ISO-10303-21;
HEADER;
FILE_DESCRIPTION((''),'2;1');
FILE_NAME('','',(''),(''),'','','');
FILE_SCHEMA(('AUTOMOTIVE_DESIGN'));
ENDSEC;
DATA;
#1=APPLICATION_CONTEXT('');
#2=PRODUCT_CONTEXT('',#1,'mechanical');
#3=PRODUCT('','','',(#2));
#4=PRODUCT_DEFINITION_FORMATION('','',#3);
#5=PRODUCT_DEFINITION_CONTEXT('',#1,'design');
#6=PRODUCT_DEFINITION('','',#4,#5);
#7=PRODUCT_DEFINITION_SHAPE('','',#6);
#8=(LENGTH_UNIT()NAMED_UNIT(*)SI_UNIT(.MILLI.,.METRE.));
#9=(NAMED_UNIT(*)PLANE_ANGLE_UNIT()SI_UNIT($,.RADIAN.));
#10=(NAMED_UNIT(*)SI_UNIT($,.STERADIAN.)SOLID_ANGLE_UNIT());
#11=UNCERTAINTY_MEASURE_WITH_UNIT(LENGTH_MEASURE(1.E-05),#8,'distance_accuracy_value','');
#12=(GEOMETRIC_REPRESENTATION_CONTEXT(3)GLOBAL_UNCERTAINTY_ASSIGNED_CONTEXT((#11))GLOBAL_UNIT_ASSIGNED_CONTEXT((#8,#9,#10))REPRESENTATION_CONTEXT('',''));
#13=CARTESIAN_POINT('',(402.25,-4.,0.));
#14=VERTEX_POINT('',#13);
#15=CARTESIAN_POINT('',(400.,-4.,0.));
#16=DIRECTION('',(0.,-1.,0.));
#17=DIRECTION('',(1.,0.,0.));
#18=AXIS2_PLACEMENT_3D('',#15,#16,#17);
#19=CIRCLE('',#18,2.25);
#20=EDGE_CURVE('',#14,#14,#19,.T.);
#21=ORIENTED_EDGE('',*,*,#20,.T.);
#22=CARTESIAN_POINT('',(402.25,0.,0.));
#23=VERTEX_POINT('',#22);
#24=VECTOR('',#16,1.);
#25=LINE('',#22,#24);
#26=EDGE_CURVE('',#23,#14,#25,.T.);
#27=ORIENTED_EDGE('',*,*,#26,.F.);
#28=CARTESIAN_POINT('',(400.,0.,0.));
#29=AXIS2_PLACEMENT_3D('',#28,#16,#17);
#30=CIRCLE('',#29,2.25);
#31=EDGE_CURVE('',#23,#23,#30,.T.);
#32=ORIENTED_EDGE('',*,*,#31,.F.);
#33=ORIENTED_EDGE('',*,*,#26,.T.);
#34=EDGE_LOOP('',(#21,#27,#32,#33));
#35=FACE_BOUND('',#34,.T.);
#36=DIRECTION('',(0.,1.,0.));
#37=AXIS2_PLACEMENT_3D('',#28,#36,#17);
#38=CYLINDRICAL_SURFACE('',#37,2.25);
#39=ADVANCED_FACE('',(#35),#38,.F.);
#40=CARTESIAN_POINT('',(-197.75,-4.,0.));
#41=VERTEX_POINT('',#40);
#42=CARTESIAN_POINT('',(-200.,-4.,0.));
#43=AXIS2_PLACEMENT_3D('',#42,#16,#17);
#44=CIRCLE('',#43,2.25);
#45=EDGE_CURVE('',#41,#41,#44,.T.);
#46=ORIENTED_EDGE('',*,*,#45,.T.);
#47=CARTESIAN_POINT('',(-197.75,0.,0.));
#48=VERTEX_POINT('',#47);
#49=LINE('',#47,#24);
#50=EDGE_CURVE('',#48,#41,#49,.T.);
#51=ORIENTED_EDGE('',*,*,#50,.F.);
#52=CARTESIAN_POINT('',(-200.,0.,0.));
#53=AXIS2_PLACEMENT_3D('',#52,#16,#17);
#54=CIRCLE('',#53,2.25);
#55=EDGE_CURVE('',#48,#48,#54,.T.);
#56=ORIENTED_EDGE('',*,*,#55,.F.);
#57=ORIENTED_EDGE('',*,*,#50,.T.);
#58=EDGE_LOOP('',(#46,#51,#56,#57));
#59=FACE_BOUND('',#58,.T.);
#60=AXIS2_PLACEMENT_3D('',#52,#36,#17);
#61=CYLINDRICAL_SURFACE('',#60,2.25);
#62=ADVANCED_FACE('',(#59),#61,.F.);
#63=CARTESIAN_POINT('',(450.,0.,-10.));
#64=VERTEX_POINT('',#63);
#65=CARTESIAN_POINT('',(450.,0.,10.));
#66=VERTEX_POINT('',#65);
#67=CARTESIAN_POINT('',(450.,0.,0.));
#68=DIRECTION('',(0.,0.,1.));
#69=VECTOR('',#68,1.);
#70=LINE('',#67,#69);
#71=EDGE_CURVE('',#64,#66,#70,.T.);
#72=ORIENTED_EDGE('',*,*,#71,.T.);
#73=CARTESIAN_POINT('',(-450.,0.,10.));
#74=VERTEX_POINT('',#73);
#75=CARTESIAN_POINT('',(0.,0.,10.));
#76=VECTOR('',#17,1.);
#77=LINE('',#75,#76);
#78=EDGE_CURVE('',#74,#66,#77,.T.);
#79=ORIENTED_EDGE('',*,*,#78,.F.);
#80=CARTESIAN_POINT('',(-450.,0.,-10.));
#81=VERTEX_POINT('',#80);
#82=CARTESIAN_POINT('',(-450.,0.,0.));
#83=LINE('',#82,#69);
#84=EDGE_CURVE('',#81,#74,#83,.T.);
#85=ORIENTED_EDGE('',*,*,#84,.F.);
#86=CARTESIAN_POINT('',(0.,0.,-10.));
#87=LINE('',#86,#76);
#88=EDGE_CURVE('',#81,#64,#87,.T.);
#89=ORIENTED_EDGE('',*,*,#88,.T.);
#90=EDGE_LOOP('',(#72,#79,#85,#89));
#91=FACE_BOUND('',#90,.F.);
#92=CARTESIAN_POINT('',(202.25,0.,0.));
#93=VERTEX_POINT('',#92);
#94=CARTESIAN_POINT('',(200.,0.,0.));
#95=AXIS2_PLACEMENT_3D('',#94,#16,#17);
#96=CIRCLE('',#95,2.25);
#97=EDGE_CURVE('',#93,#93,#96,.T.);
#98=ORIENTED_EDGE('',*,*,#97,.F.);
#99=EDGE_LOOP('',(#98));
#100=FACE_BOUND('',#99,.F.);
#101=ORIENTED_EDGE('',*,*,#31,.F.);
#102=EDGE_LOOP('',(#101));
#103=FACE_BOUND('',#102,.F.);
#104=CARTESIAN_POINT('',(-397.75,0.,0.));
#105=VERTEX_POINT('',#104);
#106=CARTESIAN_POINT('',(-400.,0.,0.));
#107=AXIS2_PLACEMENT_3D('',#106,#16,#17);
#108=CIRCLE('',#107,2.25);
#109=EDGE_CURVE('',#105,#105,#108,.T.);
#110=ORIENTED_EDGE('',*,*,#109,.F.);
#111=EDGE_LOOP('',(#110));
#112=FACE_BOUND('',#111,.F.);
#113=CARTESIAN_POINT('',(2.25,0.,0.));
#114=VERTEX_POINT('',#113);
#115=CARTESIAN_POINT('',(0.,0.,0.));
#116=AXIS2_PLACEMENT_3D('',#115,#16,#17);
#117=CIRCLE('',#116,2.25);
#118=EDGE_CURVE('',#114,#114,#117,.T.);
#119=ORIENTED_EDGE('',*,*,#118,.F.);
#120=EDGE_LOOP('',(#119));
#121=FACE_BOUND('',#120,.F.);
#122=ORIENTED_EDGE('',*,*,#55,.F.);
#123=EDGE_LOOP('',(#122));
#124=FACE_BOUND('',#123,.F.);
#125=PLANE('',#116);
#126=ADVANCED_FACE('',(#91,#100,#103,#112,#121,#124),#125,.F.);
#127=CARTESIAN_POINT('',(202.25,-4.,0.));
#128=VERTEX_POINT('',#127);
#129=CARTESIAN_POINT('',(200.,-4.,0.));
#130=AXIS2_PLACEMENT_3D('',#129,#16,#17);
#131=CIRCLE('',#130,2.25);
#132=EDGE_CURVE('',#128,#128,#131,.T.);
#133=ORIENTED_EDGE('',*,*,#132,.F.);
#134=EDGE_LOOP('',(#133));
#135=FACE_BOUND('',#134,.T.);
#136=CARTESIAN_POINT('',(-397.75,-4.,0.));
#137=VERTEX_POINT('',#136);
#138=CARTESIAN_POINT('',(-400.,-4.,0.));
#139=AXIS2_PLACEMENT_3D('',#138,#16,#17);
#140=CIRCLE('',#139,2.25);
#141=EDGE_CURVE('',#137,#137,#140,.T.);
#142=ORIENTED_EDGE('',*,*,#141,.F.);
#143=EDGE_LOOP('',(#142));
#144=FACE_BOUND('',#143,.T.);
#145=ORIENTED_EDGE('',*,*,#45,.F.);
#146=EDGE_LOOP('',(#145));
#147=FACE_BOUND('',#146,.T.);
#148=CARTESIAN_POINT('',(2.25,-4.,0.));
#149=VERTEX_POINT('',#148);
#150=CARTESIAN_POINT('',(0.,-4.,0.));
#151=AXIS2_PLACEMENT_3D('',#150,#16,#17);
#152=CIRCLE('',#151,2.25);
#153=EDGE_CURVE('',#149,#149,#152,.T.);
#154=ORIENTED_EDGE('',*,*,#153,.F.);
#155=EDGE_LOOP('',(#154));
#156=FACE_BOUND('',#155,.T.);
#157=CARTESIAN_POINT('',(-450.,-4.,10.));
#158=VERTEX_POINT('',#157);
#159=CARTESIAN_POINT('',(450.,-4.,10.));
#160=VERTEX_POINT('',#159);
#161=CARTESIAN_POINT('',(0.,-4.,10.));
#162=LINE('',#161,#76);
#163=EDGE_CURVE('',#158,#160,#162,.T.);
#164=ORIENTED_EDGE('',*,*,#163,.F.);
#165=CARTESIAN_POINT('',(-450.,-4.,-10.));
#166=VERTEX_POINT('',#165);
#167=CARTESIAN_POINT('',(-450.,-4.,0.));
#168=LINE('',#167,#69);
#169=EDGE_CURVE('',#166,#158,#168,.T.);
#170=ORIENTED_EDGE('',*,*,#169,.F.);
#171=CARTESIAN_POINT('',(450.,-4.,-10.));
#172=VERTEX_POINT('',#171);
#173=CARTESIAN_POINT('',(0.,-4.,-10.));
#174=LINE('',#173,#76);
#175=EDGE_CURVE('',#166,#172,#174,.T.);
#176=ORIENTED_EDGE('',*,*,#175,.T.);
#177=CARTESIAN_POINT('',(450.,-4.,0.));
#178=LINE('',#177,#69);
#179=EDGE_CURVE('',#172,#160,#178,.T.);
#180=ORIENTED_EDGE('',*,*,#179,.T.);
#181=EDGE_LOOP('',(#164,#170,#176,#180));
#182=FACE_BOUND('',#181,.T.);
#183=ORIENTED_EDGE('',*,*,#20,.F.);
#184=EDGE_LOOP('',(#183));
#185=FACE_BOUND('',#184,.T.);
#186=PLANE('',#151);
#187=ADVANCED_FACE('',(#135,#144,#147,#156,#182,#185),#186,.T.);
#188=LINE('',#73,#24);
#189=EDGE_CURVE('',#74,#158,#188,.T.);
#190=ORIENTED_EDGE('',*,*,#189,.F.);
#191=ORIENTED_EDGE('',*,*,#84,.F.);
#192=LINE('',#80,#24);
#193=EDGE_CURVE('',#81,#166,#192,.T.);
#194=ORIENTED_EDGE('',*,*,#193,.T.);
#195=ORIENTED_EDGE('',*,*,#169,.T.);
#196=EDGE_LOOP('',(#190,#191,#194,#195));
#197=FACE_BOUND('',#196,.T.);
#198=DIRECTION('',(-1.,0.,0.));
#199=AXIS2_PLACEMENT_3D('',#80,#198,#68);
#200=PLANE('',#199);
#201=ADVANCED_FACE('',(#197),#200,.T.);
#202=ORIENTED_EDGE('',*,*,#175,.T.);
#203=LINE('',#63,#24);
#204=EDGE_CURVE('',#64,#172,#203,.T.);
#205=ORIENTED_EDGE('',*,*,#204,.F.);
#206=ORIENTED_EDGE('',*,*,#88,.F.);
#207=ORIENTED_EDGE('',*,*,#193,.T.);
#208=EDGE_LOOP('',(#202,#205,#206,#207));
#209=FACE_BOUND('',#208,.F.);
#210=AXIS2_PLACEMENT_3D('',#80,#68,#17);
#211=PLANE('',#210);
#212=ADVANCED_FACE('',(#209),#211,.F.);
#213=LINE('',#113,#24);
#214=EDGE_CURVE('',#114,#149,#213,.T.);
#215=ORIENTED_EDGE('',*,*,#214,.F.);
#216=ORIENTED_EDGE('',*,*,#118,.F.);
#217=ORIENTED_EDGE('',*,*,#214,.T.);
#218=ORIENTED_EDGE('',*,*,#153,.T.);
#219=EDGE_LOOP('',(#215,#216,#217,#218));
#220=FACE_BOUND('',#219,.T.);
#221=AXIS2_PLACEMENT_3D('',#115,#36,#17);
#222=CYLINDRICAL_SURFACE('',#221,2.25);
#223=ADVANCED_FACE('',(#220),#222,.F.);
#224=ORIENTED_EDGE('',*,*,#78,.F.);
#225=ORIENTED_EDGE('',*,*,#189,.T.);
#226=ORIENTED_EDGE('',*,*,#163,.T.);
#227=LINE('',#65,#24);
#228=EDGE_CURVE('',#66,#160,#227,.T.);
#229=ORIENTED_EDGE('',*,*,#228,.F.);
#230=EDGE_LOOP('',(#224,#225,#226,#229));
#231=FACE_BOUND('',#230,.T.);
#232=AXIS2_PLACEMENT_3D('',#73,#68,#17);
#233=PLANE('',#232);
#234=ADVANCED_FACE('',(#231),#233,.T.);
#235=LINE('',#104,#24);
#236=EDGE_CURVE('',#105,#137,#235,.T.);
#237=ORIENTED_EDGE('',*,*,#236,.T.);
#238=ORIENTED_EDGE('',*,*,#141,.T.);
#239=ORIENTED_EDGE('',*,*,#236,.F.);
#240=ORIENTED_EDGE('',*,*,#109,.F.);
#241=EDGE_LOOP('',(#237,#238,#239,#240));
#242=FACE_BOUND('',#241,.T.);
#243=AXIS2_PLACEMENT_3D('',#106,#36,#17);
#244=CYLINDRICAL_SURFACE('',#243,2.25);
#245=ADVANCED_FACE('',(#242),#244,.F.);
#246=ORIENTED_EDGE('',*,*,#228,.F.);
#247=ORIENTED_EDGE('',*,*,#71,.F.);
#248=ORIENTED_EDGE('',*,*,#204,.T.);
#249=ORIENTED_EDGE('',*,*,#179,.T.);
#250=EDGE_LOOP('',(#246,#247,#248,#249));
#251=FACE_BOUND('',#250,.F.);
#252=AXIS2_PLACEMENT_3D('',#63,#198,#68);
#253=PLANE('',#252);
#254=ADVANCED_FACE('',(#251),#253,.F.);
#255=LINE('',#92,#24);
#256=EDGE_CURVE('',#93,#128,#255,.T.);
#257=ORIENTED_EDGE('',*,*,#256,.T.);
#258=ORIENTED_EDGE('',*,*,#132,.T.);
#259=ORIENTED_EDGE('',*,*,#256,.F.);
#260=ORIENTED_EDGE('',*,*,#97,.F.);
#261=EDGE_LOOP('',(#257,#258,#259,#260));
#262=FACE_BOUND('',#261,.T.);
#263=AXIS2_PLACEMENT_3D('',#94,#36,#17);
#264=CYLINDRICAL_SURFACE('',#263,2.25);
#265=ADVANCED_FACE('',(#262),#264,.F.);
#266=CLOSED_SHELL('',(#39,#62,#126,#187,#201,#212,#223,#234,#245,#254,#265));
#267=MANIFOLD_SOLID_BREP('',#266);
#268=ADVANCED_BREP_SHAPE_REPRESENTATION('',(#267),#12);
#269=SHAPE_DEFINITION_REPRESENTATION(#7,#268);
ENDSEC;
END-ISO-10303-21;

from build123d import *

# Parameters (mm, degrees)
F0_W     = 900
F0_H     = 20
F0_R     = 2.25
F1_DEPTH = 4


with BuildPart() as f1:
    # F0 (on Front) → F1 (new body)
    with BuildSketch(Plane.XZ):
        Rectangle(F0_W, F0_H)
        with Locations((-400, 0)):
            Circle(F0_R, mode=Mode.SUBTRACT)
        with Locations((-200, 0)):
            Circle(F0_R, mode=Mode.SUBTRACT)
        Circle(F0_R, mode=Mode.SUBTRACT)
        with Locations((200, 0)):
            Circle(F0_R, mode=Mode.SUBTRACT)
        with Locations((400, 0)):
            Circle(F0_R, mode=Mode.SUBTRACT)
    extrude(amount=F1_DEPTH)


solid = f1.part
